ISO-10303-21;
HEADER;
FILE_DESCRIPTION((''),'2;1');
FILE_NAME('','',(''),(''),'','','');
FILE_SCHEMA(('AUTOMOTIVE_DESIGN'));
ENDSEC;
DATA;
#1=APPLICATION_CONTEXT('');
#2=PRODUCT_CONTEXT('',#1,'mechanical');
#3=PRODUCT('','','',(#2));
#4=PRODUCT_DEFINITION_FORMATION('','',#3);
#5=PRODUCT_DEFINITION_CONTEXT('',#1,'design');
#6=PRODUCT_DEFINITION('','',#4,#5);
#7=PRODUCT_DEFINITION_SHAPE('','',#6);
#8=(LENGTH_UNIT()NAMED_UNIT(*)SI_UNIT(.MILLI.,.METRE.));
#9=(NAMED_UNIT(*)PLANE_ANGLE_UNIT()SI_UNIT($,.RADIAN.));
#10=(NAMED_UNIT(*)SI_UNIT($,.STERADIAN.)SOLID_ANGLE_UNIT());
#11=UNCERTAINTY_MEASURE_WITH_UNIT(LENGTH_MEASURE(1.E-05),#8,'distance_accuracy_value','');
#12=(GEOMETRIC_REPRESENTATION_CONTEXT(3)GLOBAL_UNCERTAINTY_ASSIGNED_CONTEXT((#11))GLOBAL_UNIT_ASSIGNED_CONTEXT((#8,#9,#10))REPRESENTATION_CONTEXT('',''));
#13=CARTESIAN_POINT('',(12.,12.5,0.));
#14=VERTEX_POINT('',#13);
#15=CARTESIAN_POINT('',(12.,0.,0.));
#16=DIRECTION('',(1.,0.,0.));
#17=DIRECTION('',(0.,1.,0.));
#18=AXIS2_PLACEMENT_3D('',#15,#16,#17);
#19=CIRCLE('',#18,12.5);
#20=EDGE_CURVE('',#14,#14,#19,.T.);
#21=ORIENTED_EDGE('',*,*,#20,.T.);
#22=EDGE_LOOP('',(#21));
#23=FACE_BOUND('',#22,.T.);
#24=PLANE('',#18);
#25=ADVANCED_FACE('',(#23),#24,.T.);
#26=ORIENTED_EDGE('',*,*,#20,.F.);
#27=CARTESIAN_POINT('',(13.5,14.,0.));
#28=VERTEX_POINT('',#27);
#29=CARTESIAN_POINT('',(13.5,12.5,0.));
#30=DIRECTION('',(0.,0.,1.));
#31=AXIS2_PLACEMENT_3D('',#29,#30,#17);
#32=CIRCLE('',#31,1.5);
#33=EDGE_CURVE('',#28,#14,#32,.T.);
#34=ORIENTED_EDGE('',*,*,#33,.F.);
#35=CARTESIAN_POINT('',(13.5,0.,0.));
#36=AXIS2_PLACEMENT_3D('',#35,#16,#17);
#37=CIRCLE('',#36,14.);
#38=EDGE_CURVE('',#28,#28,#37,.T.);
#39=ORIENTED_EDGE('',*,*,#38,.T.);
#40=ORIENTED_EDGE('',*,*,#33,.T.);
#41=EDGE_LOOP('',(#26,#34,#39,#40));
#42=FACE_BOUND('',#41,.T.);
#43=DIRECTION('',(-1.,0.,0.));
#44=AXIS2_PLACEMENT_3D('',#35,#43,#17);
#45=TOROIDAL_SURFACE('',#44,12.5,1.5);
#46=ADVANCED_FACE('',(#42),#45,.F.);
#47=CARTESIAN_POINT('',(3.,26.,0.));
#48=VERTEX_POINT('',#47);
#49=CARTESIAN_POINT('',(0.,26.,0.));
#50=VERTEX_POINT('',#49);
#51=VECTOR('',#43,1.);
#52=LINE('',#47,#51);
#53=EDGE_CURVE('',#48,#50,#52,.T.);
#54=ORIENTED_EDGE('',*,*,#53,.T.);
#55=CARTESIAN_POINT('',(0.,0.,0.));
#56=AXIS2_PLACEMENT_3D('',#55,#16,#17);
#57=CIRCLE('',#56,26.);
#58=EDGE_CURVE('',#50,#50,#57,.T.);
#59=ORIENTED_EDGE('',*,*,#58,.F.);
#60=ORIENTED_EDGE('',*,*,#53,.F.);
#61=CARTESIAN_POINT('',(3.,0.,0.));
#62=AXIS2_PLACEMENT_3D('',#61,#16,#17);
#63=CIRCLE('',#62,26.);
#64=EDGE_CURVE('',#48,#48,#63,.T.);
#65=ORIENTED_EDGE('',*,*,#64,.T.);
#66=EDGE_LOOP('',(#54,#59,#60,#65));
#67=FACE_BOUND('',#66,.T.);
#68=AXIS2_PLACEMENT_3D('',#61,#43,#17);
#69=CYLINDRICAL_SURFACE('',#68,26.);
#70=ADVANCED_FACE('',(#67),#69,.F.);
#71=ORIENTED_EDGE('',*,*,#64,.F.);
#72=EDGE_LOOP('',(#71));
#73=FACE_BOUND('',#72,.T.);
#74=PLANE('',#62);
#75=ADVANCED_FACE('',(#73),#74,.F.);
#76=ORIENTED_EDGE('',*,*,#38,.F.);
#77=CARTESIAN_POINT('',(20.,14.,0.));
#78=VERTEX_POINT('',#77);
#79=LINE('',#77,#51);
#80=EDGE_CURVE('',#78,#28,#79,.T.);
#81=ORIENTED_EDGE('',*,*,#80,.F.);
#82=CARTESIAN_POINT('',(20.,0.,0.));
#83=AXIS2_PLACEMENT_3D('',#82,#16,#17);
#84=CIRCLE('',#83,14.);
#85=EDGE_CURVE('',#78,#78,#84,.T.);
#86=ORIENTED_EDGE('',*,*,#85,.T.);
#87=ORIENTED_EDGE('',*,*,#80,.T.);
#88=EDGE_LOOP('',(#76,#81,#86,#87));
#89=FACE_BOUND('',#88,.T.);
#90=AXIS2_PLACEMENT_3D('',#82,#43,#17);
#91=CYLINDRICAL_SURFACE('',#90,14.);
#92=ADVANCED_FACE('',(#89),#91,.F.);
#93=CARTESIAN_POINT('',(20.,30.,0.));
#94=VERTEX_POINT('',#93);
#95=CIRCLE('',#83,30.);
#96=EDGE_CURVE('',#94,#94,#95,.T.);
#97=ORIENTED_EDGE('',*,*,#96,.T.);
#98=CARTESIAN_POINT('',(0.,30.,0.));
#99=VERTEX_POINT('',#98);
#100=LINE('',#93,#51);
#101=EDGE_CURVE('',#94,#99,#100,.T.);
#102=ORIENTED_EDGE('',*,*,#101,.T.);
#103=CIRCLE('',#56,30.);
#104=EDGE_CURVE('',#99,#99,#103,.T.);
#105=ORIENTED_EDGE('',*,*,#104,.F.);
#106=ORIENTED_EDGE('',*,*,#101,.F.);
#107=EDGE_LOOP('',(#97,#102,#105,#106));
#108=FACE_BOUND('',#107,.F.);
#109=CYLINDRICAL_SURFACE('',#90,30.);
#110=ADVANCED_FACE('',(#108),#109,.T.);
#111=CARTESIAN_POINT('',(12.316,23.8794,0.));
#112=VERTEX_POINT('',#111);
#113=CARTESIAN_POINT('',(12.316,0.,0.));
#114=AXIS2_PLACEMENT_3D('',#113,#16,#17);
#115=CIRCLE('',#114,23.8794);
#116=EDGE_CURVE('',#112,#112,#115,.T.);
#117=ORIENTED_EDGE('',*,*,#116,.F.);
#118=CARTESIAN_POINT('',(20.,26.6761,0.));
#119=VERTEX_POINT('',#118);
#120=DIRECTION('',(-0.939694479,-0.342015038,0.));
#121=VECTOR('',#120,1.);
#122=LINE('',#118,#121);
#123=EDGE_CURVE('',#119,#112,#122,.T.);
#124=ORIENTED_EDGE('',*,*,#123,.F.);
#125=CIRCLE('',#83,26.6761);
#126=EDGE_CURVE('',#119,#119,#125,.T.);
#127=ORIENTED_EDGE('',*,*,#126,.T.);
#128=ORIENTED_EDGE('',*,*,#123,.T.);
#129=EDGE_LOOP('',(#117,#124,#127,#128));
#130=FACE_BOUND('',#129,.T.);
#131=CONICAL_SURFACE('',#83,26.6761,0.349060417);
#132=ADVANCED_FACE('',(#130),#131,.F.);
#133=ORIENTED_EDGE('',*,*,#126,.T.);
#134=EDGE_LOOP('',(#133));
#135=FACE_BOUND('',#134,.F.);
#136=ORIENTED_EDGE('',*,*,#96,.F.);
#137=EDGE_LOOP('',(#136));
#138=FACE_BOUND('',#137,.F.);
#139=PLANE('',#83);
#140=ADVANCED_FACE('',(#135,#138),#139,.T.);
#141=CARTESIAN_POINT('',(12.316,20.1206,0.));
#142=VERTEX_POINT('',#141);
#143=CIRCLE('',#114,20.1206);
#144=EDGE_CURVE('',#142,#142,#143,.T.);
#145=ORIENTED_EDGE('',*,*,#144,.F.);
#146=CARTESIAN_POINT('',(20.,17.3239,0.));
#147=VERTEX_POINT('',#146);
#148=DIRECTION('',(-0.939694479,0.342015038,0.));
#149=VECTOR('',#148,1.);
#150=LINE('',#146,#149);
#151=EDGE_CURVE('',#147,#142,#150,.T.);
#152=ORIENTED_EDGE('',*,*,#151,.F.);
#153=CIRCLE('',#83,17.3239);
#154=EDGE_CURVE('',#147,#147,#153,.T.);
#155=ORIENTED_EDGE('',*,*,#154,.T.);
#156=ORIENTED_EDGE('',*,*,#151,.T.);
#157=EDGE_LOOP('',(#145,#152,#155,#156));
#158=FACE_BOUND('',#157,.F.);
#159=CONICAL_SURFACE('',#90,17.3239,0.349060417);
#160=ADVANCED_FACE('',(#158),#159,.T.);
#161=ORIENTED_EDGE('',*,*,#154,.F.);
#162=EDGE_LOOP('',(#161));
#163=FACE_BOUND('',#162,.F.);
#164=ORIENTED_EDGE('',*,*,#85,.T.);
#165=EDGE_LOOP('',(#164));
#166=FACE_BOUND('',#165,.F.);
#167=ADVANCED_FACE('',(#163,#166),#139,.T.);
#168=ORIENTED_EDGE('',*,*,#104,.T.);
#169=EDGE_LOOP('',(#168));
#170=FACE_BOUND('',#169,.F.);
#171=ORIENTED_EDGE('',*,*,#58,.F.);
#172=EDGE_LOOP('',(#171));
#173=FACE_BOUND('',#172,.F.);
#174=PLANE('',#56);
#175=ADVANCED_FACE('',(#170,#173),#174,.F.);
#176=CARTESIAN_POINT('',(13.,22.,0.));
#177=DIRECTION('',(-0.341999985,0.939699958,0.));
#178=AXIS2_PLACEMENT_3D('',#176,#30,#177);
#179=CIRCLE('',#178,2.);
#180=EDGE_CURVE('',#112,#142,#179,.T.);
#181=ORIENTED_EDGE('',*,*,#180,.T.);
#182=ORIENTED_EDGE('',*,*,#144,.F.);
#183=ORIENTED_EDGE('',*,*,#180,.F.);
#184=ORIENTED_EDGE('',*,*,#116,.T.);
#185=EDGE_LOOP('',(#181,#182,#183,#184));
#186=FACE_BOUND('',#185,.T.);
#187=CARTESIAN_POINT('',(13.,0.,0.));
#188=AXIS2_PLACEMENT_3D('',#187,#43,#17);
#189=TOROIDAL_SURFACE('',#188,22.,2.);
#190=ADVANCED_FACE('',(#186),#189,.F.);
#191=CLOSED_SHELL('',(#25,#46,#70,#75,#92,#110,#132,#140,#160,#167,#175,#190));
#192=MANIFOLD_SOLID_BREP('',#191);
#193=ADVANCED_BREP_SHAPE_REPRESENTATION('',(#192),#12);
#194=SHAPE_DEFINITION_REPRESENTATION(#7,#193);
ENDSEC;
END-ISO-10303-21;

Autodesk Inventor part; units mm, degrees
ref_plane "YZ Plane" through (0, 0, 0) normal (1, 0, 0) x (0, 1, 0)
ref_plane "XZ Plane" through (0, 0, 0) normal (0, 1, 0) x (-1, 0, 0)
ref_plane "XY Plane" through (0, 0, 0) normal (0, 0, 1) x (1, 0, 0)
sketch "Эскиз1" plane through (0, 0, 0) normal (0, 0, 1) x (1, 0, 0)
  line L0 (0, 0) -> (20, 0)
  line L1 (20, 0) -> (20, 30)
  line L2 (20, 30) -> (0, 30)
  line L3 (0, 30) -> (0, 0)
  dimension "d0" = 20
  dimension "d1" = 30
revolve "Вращение1" add sketch "Эскиз1" angle 360 about axis through (0, 0, 0) along (1, 0, 0)
sketch "Эскиз2" plane through (0, 0, 0) normal (0, 0, 1) x (1, 0, 0)
  line L0 (0, 0) -> (3, 0)
  line L1 (3, 0) -> (3, 26)
  line L2 (3, 26) -> (0, 26)
  line L3 (0, 26) -> (0, 0)
  line L4 (12, 0) -> (20, 0)
  line L5 (20, 0) -> (20, 14)
  line L6 (20, 14) -> (13.5, 14)
  line L7 (12, 12.5) -> (12, 0)
  line L8 (0, -30) -> (0, 30) construction
  line L9 (20, -30) -> (20, 30) projected
  line L10 (20, 17.3239) -> (12.316, 20.1206)
  line L11 (20, 26.6761) -> (12.316, 23.8794)
  arc A0 (12.316, 23.8794) -> (12.316, 20.1206) centre (13, 22) ccw
  line L12 (20, 17.3239) -> (20, 26.6761)
  line L13 (0, 0) -> (20, 0)
  arc A1 (13.5, 14) -> (12, 12.5) centre (13.5, 12.5) ccw
  point P0 (12, 14)
  dimension "d3" = 3
  dimension "d4" = 26
  dimension "d5" = 8
  dimension "d6" = 14
  dimension "d7" = 20
  dimension "d8" = 2
  dimension "d9" = 70
  dimension "d11" = 22
  dimension "d12" = 7
  dimension "d14" = 1.5
revolve "Вращение2" cut sketch "Эскиз2" angle 360 about axis through (0, 0, 0) along (1, 0, 0)
properties part number "711125"
